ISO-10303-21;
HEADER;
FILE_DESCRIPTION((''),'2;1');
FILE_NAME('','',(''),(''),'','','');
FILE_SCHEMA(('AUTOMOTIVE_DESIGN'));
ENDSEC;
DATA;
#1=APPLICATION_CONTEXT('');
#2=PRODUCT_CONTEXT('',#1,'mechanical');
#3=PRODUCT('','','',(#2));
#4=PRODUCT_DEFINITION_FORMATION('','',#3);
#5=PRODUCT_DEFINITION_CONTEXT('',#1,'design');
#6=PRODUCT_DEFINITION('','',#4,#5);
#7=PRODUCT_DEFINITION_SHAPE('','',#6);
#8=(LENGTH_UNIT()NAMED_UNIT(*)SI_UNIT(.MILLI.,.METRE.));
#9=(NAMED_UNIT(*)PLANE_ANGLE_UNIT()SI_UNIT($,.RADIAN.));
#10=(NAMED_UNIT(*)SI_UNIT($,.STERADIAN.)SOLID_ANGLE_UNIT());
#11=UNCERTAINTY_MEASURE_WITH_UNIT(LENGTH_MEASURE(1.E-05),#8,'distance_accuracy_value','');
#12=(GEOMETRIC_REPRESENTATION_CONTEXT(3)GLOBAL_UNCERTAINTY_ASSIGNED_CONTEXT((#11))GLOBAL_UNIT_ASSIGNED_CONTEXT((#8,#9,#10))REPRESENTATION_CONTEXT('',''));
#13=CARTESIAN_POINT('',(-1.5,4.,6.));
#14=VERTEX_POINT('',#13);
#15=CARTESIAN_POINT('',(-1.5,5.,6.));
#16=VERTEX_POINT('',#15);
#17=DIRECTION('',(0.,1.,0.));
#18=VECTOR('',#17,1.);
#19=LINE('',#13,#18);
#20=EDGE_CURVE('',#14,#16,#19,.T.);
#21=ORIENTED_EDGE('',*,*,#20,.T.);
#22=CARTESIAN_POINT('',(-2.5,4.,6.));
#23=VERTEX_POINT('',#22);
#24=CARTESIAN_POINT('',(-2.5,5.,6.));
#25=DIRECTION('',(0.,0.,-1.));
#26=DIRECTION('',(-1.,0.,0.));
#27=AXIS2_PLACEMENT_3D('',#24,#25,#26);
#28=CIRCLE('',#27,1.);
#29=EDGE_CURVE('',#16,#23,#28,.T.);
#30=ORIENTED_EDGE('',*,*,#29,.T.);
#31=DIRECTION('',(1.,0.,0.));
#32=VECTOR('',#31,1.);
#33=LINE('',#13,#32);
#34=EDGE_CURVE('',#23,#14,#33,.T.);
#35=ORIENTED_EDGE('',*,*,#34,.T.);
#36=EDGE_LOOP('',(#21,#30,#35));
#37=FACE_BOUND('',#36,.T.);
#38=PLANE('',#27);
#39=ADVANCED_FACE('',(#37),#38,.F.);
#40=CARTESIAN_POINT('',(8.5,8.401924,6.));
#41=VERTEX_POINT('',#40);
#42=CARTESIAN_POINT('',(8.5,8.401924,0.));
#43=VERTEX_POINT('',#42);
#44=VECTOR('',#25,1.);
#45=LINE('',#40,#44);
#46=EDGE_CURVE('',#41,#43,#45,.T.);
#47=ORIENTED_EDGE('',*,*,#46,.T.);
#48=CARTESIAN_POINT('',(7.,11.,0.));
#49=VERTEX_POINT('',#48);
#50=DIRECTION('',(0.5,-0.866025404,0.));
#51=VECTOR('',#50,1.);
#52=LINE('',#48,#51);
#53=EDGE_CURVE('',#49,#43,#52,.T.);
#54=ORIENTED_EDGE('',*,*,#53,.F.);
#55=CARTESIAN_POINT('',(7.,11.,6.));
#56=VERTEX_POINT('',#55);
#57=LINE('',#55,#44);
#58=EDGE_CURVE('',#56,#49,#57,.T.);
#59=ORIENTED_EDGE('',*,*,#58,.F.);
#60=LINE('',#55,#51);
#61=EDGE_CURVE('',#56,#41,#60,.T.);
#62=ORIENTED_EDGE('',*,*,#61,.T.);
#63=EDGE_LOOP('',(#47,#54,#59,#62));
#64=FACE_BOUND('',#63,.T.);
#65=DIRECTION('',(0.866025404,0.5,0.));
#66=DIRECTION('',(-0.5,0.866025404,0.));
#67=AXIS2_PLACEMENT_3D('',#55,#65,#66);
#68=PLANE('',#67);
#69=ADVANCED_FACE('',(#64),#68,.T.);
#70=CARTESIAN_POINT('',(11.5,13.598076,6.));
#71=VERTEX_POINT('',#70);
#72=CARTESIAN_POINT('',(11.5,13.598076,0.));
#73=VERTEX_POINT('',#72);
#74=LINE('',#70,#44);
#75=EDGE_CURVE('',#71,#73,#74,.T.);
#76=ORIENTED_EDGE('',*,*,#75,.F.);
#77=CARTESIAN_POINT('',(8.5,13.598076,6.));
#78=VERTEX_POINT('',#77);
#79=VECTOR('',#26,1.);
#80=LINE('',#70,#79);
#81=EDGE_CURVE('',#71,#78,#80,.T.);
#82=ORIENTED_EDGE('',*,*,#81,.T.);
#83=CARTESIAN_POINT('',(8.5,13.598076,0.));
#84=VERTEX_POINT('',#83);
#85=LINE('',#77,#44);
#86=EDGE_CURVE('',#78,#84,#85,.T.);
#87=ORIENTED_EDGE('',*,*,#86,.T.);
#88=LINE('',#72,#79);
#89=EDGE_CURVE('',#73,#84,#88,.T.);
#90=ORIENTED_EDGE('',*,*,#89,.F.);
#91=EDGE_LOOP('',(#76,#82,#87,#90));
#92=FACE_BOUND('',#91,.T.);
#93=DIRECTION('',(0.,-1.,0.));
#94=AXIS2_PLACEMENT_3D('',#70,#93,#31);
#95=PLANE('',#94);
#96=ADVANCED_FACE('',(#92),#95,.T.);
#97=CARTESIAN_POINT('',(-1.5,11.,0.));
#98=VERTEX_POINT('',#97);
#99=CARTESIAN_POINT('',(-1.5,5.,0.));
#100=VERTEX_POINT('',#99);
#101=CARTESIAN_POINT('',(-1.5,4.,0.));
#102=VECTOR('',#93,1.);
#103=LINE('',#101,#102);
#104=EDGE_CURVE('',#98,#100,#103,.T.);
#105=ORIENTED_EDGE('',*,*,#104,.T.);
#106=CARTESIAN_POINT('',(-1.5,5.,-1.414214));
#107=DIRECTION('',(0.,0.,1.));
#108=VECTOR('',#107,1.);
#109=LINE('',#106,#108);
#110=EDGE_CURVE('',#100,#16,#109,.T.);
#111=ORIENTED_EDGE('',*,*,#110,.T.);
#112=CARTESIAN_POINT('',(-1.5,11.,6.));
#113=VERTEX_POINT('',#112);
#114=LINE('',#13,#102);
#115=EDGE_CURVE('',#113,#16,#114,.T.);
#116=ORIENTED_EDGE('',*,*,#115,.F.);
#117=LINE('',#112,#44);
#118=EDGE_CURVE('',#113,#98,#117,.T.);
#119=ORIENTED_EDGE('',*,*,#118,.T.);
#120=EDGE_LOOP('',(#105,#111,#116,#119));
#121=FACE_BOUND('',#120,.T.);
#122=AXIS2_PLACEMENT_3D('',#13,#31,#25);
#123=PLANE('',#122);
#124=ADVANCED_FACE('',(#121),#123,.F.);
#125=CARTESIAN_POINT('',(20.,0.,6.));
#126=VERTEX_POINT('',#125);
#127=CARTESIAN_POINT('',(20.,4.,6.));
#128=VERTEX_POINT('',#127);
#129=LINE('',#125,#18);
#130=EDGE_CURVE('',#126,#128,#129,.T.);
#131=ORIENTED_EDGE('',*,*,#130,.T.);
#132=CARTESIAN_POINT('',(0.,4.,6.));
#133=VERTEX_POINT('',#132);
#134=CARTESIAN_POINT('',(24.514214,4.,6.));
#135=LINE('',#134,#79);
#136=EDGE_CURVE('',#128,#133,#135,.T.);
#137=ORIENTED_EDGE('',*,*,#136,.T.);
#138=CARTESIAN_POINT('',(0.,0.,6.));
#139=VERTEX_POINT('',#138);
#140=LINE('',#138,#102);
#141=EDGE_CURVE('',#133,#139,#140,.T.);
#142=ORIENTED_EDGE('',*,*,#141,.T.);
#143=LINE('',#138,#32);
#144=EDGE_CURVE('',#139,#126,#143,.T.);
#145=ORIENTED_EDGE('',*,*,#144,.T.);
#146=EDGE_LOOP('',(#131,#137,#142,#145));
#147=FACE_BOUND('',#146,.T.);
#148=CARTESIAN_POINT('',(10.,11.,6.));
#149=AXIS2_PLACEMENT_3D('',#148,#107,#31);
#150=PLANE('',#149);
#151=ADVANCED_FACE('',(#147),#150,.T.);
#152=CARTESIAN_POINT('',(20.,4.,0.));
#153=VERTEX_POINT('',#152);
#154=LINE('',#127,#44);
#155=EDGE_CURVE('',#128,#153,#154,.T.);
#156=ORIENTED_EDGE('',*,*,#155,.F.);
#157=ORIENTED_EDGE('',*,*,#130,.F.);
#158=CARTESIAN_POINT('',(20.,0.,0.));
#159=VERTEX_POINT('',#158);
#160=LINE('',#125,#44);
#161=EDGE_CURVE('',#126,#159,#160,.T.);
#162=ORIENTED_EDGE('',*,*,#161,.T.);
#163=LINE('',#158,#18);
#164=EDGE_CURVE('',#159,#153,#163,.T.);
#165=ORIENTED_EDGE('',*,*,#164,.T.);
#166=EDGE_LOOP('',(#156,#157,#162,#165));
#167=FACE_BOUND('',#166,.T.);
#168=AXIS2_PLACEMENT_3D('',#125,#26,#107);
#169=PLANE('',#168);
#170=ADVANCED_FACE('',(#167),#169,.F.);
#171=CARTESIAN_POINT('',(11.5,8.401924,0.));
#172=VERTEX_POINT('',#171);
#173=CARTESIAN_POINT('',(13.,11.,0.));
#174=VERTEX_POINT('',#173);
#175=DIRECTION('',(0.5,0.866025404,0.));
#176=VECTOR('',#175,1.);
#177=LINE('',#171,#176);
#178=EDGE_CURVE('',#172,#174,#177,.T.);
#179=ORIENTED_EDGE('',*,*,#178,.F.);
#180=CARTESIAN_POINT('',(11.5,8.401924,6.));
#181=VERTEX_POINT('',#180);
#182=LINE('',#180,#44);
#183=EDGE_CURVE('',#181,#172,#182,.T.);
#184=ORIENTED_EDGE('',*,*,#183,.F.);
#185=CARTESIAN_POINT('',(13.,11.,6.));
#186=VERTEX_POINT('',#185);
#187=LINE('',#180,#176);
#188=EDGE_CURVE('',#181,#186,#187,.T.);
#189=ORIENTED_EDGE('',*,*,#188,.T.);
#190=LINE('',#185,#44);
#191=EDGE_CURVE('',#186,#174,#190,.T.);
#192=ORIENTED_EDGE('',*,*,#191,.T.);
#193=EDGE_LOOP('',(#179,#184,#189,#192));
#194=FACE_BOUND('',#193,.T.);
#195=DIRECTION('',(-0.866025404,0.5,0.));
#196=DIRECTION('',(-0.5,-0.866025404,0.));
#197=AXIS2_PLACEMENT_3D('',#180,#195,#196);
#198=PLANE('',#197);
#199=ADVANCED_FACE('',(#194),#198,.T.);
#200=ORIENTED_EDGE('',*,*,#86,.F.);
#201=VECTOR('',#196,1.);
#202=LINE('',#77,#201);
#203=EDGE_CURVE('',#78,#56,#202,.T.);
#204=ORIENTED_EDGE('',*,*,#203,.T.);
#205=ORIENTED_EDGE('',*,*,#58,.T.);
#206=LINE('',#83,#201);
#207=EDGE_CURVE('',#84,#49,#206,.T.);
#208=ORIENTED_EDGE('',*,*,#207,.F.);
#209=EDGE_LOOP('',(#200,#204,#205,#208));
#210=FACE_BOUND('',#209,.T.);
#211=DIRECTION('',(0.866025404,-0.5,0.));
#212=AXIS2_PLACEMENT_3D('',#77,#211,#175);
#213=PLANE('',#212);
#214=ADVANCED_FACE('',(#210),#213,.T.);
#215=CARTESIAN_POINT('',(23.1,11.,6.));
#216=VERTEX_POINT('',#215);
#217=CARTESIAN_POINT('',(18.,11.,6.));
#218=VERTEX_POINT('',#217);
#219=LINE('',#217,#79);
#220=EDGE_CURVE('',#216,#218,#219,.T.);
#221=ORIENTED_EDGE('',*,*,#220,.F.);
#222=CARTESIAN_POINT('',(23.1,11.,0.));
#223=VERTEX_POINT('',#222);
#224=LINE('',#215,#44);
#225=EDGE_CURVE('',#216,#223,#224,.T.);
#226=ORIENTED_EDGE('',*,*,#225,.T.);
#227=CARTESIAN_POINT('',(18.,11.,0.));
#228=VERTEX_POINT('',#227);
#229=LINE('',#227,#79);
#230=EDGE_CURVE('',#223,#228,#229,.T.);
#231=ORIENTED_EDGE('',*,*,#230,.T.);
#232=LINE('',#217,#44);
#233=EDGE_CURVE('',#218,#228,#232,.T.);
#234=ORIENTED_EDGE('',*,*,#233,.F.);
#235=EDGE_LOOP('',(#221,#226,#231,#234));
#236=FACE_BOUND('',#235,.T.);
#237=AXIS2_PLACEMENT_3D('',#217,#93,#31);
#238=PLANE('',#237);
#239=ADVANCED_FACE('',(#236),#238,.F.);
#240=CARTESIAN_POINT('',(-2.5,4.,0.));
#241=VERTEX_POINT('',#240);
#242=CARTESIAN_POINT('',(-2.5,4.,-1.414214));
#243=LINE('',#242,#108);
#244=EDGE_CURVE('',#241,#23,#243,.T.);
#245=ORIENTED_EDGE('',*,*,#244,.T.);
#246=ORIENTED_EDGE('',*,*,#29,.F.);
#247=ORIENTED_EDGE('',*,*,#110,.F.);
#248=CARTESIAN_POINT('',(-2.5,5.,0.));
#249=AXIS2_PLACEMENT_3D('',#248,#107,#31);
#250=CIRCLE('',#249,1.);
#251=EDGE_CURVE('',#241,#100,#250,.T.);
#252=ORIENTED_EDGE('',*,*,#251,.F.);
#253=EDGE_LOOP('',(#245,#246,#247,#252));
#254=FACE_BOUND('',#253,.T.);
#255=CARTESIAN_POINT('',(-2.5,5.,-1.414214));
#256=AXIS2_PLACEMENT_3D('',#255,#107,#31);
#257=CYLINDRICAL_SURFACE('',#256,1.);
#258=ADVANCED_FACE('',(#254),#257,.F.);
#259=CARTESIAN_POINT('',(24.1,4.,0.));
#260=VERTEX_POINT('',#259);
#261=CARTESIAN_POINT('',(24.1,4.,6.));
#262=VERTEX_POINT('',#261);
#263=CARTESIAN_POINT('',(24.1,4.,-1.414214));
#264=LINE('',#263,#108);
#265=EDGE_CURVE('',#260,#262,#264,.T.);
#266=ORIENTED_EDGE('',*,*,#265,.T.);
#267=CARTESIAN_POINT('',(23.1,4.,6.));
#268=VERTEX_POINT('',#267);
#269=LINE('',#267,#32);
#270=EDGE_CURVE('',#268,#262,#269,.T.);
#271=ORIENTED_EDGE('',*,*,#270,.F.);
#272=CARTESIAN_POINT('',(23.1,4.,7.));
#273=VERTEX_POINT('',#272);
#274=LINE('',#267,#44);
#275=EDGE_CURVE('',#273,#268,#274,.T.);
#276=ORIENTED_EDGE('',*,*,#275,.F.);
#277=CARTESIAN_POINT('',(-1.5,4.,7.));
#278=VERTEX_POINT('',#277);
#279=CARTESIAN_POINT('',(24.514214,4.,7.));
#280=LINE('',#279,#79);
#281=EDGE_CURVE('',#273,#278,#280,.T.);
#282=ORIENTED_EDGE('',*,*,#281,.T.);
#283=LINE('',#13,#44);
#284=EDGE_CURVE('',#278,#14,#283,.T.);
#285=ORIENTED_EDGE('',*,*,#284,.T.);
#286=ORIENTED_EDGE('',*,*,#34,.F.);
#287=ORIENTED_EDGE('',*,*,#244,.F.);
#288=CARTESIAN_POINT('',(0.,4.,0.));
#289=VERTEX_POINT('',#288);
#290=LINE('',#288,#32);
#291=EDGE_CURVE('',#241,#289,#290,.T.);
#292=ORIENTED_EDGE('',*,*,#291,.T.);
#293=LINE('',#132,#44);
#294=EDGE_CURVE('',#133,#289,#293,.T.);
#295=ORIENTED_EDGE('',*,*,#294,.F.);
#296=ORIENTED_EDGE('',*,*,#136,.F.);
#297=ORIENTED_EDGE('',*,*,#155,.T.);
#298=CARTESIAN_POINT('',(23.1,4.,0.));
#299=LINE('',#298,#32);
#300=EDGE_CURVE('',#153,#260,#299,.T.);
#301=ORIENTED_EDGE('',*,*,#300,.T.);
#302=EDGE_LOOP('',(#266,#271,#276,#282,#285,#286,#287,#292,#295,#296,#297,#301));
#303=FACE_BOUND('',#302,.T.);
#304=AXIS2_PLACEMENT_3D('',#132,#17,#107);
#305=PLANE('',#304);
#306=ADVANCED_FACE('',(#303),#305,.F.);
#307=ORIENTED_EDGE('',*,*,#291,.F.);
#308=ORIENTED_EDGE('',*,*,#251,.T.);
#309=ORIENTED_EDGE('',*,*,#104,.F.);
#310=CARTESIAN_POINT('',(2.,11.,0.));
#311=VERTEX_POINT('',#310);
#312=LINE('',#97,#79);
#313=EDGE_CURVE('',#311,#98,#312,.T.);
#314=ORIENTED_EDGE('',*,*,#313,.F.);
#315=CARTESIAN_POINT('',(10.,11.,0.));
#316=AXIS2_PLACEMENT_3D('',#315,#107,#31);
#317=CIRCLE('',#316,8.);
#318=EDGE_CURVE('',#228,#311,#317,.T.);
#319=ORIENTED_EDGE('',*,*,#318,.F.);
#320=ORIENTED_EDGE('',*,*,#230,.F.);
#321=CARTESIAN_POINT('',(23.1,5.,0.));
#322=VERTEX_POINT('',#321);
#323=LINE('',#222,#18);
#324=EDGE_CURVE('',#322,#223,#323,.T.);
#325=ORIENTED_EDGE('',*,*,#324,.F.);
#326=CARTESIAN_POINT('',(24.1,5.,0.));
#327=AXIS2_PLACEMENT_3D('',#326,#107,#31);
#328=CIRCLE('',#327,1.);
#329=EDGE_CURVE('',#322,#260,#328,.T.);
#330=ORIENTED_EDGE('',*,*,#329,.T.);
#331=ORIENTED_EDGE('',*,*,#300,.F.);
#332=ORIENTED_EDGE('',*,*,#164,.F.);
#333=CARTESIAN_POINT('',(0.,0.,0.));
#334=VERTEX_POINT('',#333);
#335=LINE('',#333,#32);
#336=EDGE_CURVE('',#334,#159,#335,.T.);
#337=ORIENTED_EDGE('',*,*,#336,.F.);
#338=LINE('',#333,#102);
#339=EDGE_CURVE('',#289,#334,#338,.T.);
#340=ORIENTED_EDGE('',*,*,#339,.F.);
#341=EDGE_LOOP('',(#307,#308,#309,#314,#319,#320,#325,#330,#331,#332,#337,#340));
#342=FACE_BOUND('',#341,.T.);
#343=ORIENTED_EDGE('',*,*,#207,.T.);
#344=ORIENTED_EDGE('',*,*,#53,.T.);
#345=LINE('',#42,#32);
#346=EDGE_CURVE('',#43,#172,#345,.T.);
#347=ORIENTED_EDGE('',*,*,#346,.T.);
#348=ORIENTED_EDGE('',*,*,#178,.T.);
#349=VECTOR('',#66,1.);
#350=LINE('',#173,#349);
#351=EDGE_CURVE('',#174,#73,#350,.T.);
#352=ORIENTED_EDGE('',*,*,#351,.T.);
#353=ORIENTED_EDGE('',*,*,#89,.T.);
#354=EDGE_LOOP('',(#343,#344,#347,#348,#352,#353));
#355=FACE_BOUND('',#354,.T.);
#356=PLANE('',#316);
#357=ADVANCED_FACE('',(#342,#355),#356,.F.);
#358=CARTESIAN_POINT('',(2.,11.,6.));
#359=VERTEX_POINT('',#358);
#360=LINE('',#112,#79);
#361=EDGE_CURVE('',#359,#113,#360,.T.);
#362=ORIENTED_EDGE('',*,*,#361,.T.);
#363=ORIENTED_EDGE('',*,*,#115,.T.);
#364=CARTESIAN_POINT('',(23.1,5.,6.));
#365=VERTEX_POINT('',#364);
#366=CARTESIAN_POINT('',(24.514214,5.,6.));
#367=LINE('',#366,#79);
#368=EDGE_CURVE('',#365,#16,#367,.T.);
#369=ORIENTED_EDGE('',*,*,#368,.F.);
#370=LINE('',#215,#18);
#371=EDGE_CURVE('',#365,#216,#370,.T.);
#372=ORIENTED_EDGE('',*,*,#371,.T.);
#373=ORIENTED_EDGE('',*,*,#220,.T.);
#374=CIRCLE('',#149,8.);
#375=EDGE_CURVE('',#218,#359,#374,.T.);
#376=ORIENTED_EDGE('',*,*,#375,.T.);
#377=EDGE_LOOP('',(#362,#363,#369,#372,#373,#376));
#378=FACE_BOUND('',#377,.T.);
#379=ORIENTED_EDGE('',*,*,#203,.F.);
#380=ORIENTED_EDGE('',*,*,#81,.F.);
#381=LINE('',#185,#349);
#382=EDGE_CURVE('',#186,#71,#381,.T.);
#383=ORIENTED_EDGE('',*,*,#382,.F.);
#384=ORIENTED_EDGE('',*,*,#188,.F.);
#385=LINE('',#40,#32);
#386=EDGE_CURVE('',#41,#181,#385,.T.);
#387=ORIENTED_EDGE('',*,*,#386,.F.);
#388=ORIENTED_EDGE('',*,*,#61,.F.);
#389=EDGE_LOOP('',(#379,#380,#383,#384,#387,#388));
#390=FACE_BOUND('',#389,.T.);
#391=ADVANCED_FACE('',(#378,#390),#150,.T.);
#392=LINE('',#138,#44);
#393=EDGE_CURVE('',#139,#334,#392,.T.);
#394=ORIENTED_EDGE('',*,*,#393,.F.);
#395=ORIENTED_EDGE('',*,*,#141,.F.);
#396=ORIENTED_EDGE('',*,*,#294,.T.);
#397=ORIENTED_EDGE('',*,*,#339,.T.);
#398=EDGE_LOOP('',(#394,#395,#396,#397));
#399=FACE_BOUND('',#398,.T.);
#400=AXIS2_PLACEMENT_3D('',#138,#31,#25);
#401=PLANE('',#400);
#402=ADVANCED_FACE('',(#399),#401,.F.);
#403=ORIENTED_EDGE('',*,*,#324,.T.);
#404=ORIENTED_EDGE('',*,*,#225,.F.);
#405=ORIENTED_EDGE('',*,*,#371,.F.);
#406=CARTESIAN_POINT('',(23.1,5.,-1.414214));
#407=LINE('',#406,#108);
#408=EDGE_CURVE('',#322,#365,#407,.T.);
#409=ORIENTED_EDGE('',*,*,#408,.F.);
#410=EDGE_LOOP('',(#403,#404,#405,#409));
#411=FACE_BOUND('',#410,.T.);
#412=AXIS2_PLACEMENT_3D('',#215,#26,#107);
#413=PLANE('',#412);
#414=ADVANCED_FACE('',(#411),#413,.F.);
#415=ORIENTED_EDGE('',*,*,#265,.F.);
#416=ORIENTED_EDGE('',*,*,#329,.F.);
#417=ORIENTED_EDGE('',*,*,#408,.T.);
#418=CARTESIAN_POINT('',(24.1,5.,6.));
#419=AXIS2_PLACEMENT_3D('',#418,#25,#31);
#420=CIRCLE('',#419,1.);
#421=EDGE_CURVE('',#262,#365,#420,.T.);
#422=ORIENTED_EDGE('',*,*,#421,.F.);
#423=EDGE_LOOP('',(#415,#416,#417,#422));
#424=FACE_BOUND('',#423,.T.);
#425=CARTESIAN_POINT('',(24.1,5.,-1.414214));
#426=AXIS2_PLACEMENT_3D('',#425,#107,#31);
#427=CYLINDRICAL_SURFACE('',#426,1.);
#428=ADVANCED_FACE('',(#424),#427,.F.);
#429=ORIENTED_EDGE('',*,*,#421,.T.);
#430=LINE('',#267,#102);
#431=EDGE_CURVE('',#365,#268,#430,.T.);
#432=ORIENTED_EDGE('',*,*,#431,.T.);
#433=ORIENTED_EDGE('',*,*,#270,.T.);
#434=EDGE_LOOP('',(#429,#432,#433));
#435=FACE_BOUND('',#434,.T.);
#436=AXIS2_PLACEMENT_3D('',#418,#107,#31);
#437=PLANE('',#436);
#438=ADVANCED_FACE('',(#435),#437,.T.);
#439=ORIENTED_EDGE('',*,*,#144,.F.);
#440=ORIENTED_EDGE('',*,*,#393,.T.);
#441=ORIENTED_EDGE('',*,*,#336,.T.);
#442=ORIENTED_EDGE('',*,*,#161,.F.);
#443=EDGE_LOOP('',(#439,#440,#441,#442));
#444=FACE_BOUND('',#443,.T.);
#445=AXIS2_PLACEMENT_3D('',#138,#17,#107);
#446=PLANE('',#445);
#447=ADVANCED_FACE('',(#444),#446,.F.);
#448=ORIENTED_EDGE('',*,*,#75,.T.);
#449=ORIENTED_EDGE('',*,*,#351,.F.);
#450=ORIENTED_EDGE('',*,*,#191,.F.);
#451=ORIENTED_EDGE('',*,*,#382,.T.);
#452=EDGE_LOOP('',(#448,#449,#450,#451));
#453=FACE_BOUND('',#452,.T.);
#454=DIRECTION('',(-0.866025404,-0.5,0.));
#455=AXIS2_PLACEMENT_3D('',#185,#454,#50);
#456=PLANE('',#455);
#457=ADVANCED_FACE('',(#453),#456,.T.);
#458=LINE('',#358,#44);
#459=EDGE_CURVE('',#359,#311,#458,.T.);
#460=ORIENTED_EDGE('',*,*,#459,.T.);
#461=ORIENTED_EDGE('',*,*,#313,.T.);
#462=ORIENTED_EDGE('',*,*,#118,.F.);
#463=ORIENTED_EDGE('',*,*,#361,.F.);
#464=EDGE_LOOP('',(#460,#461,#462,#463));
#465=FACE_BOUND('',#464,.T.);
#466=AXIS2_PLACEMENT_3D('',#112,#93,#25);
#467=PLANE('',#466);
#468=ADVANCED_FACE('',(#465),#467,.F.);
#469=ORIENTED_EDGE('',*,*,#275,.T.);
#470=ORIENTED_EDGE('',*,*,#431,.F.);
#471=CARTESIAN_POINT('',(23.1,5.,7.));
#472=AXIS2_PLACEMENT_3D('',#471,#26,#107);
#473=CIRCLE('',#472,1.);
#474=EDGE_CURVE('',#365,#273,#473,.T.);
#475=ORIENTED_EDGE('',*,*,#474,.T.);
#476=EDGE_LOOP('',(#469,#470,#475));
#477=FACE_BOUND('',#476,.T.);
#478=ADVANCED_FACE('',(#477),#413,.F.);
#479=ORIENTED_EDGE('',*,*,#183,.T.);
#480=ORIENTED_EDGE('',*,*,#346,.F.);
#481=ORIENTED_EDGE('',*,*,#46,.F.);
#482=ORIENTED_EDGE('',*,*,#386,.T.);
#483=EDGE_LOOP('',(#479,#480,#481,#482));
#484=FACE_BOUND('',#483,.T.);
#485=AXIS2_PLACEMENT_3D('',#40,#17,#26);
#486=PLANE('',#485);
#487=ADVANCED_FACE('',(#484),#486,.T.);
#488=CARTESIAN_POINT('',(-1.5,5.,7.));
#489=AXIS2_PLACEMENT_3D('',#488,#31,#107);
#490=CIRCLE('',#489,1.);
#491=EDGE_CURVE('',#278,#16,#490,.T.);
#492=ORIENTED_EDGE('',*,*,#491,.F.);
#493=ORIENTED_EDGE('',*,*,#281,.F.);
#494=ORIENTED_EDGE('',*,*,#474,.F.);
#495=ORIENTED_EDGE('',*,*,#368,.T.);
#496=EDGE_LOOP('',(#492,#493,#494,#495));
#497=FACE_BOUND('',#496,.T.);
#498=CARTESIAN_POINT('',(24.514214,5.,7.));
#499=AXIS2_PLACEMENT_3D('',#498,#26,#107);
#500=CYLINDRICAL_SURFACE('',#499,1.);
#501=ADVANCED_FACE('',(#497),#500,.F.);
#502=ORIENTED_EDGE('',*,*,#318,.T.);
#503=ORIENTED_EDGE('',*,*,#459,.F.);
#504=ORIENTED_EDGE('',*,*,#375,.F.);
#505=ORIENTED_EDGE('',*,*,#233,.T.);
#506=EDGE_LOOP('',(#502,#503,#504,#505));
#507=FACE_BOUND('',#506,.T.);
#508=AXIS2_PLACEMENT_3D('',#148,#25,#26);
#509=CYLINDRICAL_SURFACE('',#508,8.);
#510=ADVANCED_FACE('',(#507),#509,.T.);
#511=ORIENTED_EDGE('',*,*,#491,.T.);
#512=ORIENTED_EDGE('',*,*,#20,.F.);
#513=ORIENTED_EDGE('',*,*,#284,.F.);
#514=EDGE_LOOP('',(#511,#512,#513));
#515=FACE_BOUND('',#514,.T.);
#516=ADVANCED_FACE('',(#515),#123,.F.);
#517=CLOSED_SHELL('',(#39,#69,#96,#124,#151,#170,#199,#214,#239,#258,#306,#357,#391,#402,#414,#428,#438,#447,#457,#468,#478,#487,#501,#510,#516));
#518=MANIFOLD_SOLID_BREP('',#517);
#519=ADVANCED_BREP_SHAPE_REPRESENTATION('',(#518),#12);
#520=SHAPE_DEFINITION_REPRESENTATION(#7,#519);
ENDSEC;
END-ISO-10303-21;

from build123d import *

# Parameters (mm, degrees)
BOSS_EXTRUDE1_DEPTH = 6
BOSS_EXTRUDE2_DEPTH = 24.6
BOSS_EXTRUDE3_DEPTH = 6


with BuildPart() as part:
    # Sketch1 → Boss-Extrude1 (new body)
    with BuildSketch(Plane.XY):
        with BuildLine():
            Line((0, 0), (20, 0))
            Line((20, 0), (20, 4))
            Line((20, 4), (23.1, 4))
            Line((23.1, 4), (23.1, 11))
            Line((23.1, 11), (18, 11))
            ThreePointArc((18, 11), (10, 19), (2, 11))
            Line((2, 11), (-1.5, 11))
            Line((-1.5, 11), (-1.5, 4))
            Line((-1.5, 4), (0, 4))
            Line((0, 4), (0, 0))
        make_face()
        Polygon((13, 11), (11.5, 13.598076211), (8.5, 13.598076211), (7, 11), (8.5, 8.401923789), (11.5, 8.401923789), align=None, mode=Mode.SUBTRACT)
    extrude(amount=BOSS_EXTRUDE1_DEPTH)

    # Sketch2 → Boss-Extrude2 (add)
    with BuildSketch(Plane.ZY.offset(1.5)):
        with BuildLine():
            Line((6, 4), (6, 5))
            ThreePointArc((6, 5), (6.292893219, 4.292893219), (7, 4))
            Line((7, 4), (6, 4))
        make_face()
    extrude(amount=-BOSS_EXTRUDE2_DEPTH)

    # Sketch4 → Boss-Extrude3 (add)
    with BuildSketch(Plane.XY.offset(6)):
        with BuildLine():
            Line((23.1, 4), (23.1, 5))
            ThreePointArc((23.1, 5), (23.392893219, 4.292893219), (24.1, 4))
            Line((24.1, 4), (23.1, 4))
        make_face()
        with BuildLine():
            Line((-1.5, 4), (-2.5, 4))
            ThreePointArc((-2.5, 4), (-1.792893219, 4.292893219), (-1.5, 5))
            Line((-1.5, 5), (-1.5, 4))
        make_face()
    extrude(amount=-BOSS_EXTRUDE3_DEPTH)


solid = part.part
